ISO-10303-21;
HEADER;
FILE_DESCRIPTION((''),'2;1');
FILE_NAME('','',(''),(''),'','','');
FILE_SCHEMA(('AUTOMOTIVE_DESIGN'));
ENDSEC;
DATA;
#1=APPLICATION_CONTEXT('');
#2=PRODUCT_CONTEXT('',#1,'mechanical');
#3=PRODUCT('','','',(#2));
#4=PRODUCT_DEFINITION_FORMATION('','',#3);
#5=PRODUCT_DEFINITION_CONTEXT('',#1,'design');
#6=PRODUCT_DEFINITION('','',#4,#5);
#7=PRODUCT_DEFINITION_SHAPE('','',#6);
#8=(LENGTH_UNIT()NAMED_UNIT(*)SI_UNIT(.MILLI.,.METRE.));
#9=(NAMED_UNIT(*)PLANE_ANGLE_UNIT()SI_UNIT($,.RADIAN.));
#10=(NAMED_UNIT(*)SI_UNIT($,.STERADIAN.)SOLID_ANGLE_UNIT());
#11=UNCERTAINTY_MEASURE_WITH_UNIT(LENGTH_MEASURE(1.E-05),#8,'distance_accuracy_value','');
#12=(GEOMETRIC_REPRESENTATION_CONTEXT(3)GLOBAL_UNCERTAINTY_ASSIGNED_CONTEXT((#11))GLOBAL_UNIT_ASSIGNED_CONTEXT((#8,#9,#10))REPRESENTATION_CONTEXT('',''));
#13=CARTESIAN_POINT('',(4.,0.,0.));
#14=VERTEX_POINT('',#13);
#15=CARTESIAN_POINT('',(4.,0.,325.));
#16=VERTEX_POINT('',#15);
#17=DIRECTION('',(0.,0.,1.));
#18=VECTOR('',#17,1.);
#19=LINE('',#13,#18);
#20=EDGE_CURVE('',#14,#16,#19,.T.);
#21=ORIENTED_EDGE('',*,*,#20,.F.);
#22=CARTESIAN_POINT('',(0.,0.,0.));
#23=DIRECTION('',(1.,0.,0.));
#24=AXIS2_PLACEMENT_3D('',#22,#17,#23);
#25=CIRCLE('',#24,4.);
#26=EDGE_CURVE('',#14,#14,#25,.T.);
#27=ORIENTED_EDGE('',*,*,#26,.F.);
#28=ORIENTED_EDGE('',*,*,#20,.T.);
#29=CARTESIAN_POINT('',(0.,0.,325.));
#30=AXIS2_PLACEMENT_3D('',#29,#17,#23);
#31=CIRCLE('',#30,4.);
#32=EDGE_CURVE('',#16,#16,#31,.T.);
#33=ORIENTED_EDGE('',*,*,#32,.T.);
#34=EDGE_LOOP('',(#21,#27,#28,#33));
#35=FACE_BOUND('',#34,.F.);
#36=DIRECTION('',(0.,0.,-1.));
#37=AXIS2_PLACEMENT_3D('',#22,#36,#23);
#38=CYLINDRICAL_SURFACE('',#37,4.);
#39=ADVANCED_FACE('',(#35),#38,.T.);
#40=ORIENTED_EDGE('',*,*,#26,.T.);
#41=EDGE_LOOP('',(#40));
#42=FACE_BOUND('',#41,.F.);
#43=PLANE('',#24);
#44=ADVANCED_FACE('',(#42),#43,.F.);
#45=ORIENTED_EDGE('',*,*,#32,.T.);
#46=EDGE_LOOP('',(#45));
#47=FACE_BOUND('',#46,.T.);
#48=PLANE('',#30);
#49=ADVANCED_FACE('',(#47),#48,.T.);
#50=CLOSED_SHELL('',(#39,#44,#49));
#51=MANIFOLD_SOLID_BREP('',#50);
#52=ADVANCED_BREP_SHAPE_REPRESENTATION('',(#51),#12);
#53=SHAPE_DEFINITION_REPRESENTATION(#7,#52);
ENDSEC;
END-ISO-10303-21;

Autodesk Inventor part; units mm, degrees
ref_plane "YZ Plane" through (0, 0, 0) normal (1, 0, 0) x (0, 1, 0)
ref_plane "XZ Plane" through (0, 0, 0) normal (0, 1, 0) x (-1, 0, 0)
ref_plane "XY Plane" through (0, 0, 0) normal (0, 0, 1) x (1, 0, 0)
sketch "Sketch1" plane through (0, 0, 0) normal (0, 0, 1) x (1, 0, 0)
  circle A0 centre (0, 0) radius 4
  dimension "d0" = 8
extrude "Extrusion1" add sketch "Sketch1" along normal blind 325
properties part number "Xshaft"
